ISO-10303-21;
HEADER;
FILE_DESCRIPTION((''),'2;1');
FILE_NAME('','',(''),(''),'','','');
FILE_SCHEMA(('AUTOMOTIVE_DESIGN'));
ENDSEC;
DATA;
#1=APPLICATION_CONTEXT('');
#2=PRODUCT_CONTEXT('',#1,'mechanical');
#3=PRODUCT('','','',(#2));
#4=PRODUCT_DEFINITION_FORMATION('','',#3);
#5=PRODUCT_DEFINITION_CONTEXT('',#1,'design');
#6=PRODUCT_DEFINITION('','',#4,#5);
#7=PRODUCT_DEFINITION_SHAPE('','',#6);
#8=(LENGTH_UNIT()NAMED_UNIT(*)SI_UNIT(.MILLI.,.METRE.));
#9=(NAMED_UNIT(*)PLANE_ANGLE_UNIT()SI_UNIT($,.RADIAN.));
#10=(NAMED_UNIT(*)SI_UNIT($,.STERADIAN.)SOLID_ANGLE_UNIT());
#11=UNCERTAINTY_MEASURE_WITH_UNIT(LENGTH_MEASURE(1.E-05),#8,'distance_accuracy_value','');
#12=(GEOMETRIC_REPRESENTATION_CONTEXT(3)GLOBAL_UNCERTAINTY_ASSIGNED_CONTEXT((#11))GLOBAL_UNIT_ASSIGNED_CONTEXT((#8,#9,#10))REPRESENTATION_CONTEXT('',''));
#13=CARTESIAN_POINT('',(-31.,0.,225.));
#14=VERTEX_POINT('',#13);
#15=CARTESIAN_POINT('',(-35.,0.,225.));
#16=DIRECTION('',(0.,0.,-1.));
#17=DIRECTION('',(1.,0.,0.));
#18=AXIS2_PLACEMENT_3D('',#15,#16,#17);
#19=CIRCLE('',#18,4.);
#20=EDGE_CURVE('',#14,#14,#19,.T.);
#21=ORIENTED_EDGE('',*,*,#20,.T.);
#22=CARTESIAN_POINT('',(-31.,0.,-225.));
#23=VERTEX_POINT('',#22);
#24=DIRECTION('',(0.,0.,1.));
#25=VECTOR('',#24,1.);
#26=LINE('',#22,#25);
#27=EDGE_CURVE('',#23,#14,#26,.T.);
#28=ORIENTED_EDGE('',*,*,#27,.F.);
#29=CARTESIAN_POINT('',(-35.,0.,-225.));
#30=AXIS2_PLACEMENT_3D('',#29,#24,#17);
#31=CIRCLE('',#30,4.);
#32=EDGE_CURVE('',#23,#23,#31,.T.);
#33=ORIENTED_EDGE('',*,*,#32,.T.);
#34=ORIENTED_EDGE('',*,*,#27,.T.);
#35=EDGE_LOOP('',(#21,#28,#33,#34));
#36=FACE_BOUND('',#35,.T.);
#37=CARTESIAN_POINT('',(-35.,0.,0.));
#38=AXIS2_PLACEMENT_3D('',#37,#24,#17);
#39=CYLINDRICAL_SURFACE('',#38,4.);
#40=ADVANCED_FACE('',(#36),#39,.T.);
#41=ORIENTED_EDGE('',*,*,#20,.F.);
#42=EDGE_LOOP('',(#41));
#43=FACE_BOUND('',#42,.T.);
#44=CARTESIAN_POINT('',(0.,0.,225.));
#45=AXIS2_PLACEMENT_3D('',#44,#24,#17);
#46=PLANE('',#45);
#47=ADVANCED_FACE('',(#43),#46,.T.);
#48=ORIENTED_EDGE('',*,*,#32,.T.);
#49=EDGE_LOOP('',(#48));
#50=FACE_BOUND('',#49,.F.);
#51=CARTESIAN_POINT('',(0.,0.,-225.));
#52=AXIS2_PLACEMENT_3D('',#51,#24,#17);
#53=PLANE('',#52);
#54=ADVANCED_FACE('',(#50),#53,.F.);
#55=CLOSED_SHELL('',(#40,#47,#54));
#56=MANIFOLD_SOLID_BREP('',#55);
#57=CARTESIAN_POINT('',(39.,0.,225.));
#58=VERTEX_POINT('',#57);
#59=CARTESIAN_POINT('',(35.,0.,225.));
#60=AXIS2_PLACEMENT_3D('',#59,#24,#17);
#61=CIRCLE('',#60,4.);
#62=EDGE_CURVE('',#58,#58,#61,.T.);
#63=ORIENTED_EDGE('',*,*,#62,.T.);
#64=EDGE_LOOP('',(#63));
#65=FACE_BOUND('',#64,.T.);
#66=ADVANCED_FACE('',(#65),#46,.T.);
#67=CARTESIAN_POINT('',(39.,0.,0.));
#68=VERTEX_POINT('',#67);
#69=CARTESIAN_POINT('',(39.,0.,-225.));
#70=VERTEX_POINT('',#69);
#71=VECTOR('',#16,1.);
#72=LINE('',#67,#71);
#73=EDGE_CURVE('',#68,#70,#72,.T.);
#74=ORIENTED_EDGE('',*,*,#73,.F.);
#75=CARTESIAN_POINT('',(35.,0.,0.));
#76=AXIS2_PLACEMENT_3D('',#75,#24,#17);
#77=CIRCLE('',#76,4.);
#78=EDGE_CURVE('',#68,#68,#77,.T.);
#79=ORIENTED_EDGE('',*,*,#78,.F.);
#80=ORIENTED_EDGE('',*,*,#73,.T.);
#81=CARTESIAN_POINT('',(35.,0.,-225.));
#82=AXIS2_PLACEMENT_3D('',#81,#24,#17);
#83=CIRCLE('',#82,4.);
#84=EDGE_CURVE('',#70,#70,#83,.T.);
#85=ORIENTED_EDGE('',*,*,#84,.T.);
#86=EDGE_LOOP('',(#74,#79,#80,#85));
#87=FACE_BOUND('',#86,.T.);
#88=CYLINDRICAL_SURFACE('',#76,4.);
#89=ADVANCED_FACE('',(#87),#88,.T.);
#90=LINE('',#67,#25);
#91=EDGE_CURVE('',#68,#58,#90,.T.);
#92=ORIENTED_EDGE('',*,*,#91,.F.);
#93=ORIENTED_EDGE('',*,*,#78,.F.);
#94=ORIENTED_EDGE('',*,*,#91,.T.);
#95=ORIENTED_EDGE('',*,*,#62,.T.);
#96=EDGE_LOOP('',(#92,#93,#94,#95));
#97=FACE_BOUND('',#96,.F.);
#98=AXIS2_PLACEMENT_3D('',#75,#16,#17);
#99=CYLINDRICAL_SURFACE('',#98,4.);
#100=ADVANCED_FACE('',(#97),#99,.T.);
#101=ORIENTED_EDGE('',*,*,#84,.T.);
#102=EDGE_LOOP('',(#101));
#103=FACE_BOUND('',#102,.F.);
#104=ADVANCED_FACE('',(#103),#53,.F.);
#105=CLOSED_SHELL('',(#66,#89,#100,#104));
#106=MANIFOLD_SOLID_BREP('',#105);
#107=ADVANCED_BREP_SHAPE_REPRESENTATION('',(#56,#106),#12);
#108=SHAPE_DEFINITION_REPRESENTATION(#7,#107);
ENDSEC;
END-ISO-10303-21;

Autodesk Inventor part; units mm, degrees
ref_plane "YZ Plane" through (0, 0, 0) normal (1, 0, 0) x (0, 1, 0)
ref_plane "XZ Plane" through (0, 0, 0) normal (0, 1, 0) x (-1, 0, 0)
ref_plane "XY Plane" through (0, 0, 0) normal (0, 0, 1) x (1, 0, 0)
sketch "Sketch1" plane through (0, 0, 0) normal (0, 0, 1) x (1, 0, 0)
  circle A0 centre (-35, 0) radius 4
  circle A1 centre (35, 0) radius 4
  line L0 (-39, 25.4958) -> (-39, -25.829)
  line L1 (39, 25.4958) -> (39, -25.829)
  point P0 (0, 0)
  dimension "d2" = 78
  dimension "d4" = 39
  dimension "d5" = 8
  dimension "d8" = 70
extrude "Extrusion1" add sketch "Sketch1" along normal mid plane 450
equation "\"d4\" = 0.5 * d2"
properties part number "top carriage" material "Aluminum 6061-AHC"
